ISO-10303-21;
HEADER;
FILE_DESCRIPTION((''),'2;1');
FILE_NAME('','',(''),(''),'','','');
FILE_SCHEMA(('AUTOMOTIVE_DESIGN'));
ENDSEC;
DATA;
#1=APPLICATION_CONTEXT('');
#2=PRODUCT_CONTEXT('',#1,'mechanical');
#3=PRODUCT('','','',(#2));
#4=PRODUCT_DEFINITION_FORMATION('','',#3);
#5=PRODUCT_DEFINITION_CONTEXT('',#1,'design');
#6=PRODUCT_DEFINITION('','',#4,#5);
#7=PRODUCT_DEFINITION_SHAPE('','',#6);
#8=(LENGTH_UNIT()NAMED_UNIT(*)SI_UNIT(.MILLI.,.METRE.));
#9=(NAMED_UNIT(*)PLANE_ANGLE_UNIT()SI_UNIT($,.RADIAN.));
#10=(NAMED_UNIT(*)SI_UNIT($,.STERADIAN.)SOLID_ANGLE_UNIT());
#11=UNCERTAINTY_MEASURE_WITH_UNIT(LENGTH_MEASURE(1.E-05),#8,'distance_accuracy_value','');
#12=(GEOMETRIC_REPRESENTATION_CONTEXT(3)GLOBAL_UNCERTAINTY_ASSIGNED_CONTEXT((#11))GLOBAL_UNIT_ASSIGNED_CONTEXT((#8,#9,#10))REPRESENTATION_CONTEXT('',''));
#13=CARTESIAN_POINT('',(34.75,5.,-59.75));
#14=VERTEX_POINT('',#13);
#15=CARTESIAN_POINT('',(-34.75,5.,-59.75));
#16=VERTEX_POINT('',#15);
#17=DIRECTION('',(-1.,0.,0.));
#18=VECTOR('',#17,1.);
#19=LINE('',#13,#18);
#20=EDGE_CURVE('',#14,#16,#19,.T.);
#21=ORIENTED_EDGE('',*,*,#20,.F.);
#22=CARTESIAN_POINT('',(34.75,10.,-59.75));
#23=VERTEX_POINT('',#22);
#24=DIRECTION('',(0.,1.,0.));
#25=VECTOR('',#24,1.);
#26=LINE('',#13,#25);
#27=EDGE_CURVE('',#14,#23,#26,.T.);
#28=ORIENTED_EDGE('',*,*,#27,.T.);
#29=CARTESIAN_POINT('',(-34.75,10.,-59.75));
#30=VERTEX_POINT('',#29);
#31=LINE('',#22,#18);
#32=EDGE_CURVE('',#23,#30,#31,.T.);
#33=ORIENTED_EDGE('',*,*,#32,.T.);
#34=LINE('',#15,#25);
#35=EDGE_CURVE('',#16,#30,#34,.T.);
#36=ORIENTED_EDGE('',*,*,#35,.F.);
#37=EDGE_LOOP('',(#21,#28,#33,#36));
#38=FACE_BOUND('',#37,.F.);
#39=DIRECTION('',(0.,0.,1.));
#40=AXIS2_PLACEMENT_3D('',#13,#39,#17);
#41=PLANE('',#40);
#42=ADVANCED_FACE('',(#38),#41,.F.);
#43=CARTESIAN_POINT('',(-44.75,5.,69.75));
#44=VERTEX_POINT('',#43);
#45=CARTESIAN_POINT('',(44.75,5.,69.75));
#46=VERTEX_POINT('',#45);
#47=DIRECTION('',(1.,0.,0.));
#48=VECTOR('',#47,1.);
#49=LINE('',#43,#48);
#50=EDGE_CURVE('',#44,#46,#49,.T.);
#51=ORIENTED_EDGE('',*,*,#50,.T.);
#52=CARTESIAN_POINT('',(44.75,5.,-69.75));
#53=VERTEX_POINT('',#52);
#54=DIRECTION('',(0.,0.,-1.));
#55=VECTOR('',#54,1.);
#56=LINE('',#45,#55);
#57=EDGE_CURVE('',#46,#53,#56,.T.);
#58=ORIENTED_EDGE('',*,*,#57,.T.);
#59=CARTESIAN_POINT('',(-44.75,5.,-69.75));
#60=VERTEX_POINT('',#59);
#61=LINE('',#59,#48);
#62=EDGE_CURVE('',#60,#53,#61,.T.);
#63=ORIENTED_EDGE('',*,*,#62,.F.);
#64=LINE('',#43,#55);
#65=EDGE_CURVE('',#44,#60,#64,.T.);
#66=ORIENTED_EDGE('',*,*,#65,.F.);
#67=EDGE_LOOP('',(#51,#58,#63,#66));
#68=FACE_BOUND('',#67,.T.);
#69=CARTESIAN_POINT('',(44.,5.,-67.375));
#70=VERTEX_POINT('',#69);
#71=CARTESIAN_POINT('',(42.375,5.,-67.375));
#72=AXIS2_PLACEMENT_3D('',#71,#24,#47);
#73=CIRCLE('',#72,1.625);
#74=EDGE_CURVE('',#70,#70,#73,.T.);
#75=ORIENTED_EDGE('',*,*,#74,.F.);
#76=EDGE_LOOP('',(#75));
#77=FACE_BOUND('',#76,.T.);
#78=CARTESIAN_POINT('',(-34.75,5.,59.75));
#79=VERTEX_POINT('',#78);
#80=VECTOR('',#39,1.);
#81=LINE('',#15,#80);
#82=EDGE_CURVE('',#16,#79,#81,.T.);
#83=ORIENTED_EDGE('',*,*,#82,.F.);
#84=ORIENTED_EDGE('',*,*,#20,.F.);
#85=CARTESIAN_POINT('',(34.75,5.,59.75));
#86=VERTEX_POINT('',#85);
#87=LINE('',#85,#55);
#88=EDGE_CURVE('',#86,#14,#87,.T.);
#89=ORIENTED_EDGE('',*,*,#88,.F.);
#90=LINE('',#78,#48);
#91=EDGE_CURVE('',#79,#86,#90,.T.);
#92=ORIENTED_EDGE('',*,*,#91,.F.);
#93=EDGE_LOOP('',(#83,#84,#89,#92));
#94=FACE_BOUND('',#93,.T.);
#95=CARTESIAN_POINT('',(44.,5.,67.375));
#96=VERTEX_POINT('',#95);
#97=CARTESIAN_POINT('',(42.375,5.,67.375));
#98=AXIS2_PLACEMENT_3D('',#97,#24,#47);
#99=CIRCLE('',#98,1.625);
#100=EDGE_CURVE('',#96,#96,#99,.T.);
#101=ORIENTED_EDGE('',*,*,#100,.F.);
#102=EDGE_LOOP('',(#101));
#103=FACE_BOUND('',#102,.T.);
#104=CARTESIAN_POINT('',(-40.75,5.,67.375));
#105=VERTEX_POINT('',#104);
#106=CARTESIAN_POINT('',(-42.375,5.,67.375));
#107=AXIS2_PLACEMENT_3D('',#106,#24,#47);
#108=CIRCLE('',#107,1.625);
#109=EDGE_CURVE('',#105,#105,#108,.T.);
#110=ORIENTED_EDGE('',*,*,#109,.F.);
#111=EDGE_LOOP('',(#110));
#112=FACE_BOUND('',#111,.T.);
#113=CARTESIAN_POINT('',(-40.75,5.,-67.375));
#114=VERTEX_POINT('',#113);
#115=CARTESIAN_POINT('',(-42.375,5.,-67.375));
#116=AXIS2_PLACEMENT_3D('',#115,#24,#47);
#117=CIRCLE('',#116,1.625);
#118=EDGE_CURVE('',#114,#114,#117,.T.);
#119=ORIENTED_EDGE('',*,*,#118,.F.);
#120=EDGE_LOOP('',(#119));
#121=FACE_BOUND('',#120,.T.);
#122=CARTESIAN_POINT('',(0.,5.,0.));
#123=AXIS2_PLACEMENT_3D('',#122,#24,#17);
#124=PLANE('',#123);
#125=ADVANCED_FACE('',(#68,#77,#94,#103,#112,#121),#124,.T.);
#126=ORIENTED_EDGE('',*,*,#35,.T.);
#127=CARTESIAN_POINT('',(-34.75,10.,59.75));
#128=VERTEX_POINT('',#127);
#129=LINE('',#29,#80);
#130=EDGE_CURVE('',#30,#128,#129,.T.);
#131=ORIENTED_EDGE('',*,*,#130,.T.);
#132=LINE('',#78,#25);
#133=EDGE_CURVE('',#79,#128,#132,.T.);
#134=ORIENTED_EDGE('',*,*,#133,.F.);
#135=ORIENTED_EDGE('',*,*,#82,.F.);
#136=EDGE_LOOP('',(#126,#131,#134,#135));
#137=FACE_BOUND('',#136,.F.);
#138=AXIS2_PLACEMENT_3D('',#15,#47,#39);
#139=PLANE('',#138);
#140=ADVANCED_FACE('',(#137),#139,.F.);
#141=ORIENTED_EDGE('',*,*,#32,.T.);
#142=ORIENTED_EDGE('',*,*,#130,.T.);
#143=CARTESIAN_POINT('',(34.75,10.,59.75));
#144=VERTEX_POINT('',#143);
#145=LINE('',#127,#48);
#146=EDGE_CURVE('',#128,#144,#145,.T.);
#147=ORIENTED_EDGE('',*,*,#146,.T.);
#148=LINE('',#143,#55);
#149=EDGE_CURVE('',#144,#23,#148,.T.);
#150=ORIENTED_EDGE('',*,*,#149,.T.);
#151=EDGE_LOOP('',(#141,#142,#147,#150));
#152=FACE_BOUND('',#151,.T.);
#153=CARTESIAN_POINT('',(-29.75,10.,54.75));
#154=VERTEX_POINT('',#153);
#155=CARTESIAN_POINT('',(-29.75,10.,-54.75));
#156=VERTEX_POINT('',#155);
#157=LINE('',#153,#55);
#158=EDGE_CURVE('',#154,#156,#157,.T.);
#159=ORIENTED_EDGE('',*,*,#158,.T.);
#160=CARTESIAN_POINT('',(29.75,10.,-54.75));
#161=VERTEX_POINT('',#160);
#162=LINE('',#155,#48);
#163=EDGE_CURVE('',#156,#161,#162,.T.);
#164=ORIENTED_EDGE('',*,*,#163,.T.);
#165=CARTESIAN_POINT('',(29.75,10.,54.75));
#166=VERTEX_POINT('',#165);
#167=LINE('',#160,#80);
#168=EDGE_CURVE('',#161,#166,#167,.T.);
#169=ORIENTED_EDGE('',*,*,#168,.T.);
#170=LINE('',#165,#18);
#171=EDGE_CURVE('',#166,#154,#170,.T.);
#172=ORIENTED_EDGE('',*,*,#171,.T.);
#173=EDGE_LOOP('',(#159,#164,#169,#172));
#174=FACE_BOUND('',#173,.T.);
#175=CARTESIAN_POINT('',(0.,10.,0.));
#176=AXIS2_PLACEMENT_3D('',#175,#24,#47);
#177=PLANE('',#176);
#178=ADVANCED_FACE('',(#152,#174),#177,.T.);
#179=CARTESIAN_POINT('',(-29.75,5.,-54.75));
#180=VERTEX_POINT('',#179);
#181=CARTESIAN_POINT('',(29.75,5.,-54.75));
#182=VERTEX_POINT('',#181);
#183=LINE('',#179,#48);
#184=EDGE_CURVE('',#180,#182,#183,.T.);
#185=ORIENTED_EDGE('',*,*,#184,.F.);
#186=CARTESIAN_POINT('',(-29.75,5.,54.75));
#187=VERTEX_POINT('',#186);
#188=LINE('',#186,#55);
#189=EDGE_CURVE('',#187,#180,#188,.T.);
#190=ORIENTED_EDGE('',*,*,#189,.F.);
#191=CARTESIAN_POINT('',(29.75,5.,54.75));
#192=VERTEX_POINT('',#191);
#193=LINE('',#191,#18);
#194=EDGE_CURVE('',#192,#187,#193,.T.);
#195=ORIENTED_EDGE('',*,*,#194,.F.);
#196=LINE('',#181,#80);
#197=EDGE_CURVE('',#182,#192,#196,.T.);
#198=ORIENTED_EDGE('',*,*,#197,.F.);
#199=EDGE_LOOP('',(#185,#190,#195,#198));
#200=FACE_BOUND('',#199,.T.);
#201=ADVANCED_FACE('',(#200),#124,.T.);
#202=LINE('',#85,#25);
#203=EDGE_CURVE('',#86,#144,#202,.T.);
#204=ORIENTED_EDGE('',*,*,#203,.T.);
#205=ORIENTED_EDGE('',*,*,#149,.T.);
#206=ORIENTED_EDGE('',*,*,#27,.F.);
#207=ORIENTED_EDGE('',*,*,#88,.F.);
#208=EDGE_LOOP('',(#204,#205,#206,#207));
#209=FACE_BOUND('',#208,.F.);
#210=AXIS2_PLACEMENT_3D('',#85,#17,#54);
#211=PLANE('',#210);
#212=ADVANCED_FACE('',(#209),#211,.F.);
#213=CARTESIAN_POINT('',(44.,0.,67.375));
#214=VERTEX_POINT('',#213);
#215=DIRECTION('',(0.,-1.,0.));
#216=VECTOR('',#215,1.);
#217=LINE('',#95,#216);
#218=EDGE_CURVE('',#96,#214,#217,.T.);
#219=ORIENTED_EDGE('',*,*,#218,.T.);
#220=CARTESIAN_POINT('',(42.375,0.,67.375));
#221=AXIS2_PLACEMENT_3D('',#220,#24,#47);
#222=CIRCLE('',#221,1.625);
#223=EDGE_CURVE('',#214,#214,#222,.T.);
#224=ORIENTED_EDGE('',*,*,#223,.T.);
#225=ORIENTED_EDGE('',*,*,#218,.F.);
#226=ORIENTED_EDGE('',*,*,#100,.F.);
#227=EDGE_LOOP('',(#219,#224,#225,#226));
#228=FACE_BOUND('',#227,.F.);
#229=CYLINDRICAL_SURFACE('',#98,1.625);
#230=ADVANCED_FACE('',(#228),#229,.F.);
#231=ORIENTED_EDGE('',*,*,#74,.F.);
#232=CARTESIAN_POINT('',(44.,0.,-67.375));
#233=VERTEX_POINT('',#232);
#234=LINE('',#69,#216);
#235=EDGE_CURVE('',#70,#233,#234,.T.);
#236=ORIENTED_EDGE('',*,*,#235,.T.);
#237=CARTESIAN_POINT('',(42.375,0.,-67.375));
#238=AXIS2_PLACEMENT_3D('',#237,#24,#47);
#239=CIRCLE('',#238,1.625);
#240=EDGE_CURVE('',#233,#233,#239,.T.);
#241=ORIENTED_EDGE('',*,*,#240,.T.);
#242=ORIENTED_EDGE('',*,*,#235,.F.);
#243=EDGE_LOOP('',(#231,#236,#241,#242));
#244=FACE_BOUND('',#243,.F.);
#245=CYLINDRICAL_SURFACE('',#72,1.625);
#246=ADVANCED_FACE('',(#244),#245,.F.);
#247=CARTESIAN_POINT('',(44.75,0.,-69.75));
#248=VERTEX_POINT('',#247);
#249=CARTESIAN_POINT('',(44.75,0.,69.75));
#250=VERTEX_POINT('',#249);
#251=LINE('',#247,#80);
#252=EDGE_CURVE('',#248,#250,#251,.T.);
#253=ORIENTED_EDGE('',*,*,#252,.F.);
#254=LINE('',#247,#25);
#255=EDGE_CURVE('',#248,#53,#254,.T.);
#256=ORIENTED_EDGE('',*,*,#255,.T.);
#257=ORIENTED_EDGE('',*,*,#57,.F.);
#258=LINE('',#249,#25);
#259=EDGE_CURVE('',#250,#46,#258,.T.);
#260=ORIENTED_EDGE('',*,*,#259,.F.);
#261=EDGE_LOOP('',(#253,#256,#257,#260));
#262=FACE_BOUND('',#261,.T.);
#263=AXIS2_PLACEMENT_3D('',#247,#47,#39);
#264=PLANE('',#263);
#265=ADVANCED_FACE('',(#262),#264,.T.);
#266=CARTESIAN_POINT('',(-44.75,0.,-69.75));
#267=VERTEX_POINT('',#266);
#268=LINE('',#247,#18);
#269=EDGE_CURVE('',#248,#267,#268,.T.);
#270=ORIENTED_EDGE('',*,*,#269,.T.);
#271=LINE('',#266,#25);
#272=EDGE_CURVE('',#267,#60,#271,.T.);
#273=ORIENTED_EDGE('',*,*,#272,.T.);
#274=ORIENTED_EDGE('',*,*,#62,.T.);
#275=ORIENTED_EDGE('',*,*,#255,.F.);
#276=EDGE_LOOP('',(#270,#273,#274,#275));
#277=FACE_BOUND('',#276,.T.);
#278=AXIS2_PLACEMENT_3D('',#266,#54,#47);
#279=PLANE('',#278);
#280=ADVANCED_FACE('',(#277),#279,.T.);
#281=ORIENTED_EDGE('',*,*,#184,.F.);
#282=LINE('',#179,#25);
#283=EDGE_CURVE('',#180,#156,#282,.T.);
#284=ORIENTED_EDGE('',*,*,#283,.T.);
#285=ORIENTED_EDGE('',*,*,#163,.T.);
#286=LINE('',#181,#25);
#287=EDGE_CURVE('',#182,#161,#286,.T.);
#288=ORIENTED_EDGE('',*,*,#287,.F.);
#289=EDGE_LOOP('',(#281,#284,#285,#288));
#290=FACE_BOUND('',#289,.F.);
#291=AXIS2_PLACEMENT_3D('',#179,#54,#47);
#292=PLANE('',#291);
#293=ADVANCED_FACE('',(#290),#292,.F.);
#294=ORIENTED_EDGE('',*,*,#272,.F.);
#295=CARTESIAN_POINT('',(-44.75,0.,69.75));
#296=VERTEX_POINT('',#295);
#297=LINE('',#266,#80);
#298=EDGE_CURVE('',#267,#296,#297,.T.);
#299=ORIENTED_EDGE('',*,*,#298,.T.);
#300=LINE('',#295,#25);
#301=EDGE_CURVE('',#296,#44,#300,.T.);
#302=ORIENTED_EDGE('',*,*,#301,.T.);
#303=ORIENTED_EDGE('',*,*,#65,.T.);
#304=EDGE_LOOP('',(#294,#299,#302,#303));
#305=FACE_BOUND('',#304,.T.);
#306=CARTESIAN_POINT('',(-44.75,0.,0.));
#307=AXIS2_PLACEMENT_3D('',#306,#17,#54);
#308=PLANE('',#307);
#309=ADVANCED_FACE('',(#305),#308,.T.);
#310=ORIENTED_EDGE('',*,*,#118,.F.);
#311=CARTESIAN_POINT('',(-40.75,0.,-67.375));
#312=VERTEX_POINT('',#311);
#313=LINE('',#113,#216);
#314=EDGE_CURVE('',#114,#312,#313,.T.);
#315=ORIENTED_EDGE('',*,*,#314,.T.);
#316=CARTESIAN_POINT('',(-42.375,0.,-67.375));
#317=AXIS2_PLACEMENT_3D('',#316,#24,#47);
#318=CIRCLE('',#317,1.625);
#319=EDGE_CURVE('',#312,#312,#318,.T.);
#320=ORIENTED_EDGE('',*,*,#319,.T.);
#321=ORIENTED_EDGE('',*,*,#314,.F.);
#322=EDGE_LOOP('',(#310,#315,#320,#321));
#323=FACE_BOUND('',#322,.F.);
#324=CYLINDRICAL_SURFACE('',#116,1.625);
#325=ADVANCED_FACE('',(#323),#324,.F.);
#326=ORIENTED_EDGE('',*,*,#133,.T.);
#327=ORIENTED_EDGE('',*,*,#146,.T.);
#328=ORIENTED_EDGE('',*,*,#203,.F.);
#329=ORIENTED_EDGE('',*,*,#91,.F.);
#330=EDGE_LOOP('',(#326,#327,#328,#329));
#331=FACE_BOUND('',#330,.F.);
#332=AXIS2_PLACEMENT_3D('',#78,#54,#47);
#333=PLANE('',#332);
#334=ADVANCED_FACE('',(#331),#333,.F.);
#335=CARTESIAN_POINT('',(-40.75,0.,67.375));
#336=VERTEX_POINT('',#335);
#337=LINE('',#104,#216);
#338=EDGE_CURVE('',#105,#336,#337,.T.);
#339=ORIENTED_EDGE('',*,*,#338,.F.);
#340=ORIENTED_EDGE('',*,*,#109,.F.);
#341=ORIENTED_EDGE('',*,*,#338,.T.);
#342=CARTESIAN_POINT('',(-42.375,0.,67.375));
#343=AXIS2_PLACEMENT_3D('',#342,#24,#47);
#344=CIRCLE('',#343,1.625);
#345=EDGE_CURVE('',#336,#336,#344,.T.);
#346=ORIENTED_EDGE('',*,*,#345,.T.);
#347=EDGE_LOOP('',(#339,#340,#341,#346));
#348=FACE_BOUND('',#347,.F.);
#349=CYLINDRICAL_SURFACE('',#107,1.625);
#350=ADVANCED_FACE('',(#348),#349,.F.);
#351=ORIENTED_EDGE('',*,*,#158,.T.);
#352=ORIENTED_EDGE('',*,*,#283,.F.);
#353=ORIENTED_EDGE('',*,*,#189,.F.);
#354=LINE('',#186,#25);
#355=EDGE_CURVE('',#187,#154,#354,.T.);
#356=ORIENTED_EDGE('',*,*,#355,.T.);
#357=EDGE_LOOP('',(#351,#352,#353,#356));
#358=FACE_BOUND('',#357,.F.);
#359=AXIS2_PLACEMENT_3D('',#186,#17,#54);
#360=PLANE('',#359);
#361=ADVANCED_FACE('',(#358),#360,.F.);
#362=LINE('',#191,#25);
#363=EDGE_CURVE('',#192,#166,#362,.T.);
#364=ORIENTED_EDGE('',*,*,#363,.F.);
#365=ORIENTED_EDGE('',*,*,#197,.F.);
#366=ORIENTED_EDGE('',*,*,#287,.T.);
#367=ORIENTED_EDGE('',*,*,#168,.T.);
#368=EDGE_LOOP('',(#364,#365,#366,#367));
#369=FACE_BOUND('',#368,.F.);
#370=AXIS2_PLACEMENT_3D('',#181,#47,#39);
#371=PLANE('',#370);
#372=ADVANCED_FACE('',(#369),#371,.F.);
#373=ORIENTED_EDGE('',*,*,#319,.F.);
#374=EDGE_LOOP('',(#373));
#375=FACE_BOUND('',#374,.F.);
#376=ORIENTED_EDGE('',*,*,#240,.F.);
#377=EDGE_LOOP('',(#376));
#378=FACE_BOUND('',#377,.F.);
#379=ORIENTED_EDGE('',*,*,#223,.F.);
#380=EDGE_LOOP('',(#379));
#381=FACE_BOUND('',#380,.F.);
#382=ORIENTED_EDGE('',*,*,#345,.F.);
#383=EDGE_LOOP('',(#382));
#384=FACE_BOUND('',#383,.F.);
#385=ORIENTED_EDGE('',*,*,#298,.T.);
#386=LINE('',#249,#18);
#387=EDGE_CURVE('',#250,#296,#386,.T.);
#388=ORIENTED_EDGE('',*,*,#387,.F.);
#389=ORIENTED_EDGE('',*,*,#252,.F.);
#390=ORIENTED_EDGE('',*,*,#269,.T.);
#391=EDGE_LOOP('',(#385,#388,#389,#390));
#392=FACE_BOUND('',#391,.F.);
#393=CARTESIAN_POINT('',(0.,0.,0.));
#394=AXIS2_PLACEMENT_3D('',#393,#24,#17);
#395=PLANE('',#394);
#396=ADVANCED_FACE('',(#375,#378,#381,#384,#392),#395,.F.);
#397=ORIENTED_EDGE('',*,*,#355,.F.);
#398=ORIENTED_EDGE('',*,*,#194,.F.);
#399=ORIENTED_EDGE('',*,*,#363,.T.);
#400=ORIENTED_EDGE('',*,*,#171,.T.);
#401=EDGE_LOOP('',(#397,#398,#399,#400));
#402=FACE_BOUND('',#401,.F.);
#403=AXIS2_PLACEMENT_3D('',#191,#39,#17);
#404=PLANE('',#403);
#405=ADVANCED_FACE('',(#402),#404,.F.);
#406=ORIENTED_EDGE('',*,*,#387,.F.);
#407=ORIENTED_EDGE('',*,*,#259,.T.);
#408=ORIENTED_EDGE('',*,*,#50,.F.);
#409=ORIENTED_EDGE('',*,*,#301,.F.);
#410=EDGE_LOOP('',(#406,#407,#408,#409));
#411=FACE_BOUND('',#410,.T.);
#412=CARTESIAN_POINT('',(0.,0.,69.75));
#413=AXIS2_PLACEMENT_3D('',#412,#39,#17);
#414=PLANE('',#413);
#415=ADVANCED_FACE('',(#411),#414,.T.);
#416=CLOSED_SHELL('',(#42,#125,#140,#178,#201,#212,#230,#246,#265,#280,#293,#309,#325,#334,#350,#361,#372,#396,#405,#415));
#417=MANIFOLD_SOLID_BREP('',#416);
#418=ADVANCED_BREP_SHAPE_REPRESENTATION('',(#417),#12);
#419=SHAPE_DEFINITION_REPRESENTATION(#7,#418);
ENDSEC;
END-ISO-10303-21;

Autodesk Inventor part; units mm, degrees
ref_plane "YZ Plane" through (0, 0, 0) normal (1, 0, 0) x (0, 1, 0)
ref_plane "XZ Plane" through (0, 0, 0) normal (0, 1, 0) x (-1, 0, 0)
ref_plane "XY Plane" through (0, 0, 0) normal (0, 0, 1) x (1, 0, 0)
sketch "Sketch1" plane through (0, 0, 0) normal (0, 1, 0) x (-1, 0, 0)
  line L0 (62.65, 0) -> (-62.65, 0) projected
  line L1 (0, -97.65) -> (0, 97.65) projected
  line L2 (44.75, -69.75) -> (-44.75, -69.75)
  line L3 (-44.75, -69.75) -> (-44.75, 69.75)
  line L4 (-44.75, 69.75) -> (44.75, 69.75)
  line L5 (44.75, 69.75) -> (44.75, -69.75)
  point P0 (0, 0)
  dimension "d0" = 89.5
  dimension "d1" = 139.5
  dimension "d2" = 69.75
  dimension "d3" = 44.75
extrude "Extrusion1" add sketch "Sketch1" along normal blind 5
sketch "Sketch2" plane through (0, 5, 0) normal (0, 1, 0) x (1, 0, 0)
  circle A0 centre (-42.375, 67.375) radius 1.625
  circle A1 centre (42.375, 67.375) radius 1.625
  circle A2 centre (42.375, -67.375) radius 1.625
  circle A3 centre (-42.375, -67.375) radius 1.625
  line L0 (44.75, -69.75) -> (44.75, 69.75) projected
  line L1 (44.75, 69.75) -> (-44.75, 69.75) projected
  line L2 (-44.75, 69.75) -> (-44.75, -69.75) projected
  line L3 (-44.75, -69.75) -> (44.75, -69.75) projected
  dimension "d6" = 3.25
  dimension "d9" = 3.25
  dimension "d12" = 3.25
  dimension "d15" = 3.25
  dimension "d19" = 2.375
  dimension "d20" = 2.375
  dimension "d21" = 2.375
  dimension "d22" = 2.375
  dimension "d23" = 2.375
  dimension "d24" = 2.375
  dimension "d25" = 2.375
  dimension "d26" = 2.375
extrude "Extrusion2" cut sketch "Sketch2" against normal blind 5 contours A0 | A1 | A2 | A3
sketch "Sketch3" plane through (0, 5, 0) normal (0, 1, 0) x (1, 0, 0)
  line L0 (-34.75, -59.75) -> (34.75, -59.75)
  line L1 (34.75, -59.75) -> (34.75, 59.75)
  line L2 (34.75, 59.75) -> (-34.75, 59.75)
  line L3 (-34.75, 59.75) -> (-34.75, -59.75)
  circle A0 centre (42.375, -67.375) radius 1.625 projected
  circle A1 centre (-42.375, 67.375) radius 1.625 projected
  circle A2 centre (42.375, 67.375) radius 1.625 projected
  circle A3 centre (-42.375, -67.375) radius 1.625 projected
  line L4 (44.75, 69.75) -> (-44.75, 69.75) projected
  line L5 (-44.75, 69.75) -> (-44.75, -69.75) projected
  line L6 (-44.75, -69.75) -> (44.75, -69.75) projected
  line L7 (44.75, -69.75) -> (44.75, 69.75) projected
  line L8 (-29.75, 54.75) -> (29.75, 54.75)
  line L9 (29.75, 54.75) -> (29.75, -54.75)
  line L10 (29.75, -54.75) -> (-29.75, -54.75)
  line L11 (-29.75, -54.75) -> (-29.75, 54.75)
  point P0 (0, 0)
  dimension "d29" = 10
  dimension "d30" = 10
  dimension "d31" = 10
  dimension "d32" = 10
  dimension "d33" = 5
  dimension "d34" = 5
  dimension "d35" = 5
  dimension "d36" = 5
extrude "Extrusion3" add sketch "Sketch3" along normal blind 5 contours L3 L2 L1 L0
properties part number "mien_top"
